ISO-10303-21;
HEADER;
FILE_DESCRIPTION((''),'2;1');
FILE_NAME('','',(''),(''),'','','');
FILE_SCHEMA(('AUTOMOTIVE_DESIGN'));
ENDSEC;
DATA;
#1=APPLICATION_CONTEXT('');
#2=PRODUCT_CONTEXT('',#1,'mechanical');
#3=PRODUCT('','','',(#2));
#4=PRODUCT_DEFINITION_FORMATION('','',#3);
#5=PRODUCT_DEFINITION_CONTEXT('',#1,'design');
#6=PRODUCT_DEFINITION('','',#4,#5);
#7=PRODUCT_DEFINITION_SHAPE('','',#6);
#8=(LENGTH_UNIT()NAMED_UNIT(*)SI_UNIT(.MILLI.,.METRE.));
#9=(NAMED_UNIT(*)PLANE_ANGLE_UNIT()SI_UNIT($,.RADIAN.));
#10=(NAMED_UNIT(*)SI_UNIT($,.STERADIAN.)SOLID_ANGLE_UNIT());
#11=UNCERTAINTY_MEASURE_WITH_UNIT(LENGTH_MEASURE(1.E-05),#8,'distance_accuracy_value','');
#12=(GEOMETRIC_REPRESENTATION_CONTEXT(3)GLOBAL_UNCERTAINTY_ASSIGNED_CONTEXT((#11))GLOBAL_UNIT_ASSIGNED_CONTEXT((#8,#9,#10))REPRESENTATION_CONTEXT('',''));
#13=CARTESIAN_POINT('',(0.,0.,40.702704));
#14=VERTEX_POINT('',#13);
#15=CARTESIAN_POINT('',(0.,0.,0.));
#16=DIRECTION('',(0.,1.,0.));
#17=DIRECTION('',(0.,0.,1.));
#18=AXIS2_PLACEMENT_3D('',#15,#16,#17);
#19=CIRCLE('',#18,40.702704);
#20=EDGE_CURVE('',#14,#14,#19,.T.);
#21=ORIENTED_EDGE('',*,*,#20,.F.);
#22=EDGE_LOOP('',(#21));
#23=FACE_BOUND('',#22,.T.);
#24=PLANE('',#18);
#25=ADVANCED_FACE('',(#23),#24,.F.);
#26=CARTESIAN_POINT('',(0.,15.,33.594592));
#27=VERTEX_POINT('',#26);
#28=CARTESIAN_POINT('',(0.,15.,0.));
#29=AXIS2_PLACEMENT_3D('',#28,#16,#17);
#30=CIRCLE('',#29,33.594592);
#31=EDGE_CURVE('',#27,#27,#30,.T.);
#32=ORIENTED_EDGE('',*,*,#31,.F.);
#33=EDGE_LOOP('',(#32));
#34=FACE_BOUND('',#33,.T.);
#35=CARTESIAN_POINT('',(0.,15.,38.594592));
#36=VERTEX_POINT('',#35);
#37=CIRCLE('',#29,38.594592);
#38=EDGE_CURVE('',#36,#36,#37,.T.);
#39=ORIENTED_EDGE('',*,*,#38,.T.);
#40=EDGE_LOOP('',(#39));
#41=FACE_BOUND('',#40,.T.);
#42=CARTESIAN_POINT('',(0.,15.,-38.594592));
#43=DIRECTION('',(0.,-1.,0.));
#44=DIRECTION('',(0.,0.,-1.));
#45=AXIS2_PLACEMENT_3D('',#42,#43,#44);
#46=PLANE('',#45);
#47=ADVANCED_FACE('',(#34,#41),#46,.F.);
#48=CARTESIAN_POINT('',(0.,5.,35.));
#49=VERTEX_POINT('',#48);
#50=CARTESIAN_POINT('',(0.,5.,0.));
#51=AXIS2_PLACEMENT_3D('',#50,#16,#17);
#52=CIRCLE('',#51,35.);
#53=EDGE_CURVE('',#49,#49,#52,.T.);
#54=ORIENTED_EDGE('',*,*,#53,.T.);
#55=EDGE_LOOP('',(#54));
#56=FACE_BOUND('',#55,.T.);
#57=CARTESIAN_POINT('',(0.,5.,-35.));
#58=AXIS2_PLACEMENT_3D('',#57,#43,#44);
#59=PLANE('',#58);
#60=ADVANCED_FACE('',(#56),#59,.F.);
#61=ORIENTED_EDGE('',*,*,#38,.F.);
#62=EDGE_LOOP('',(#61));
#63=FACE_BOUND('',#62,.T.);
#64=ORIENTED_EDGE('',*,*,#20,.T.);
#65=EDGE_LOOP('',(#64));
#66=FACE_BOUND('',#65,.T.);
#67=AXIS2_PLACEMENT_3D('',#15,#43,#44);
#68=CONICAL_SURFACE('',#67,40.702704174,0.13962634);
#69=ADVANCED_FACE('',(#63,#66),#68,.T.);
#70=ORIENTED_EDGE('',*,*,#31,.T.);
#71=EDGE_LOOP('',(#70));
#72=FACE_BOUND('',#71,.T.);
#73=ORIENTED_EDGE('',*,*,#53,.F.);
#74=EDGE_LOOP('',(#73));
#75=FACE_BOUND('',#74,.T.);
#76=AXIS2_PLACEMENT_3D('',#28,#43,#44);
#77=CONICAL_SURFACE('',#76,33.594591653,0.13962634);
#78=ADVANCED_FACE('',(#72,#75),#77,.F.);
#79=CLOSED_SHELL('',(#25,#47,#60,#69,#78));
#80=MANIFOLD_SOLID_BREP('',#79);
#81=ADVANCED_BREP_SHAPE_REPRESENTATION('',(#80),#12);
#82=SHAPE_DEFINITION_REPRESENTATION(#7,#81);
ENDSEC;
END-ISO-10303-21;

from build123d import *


with BuildPart() as part:
    # Croquis1 → Revolución1 (revolve)
    with BuildSketch(Plane(origin=(0, 0, 0), x_dir=(0, 0, -1), z_dir=(1, 0, 0)), mode=Mode.PRIVATE) as revoluci_n1_sk:
        Polygon((0, 0), (40.702704174, 0), (38.594591653, 15), (33.594591653, 15), (35, 5), (0, 5), align=None)
    revolve(revoluci_n1_sk.sketch.rotate(Axis((0, 5, 0), (0, -1, 0)), 180), axis=Axis((0, 5, 0), (0, -1, 0)))


solid = part.part
